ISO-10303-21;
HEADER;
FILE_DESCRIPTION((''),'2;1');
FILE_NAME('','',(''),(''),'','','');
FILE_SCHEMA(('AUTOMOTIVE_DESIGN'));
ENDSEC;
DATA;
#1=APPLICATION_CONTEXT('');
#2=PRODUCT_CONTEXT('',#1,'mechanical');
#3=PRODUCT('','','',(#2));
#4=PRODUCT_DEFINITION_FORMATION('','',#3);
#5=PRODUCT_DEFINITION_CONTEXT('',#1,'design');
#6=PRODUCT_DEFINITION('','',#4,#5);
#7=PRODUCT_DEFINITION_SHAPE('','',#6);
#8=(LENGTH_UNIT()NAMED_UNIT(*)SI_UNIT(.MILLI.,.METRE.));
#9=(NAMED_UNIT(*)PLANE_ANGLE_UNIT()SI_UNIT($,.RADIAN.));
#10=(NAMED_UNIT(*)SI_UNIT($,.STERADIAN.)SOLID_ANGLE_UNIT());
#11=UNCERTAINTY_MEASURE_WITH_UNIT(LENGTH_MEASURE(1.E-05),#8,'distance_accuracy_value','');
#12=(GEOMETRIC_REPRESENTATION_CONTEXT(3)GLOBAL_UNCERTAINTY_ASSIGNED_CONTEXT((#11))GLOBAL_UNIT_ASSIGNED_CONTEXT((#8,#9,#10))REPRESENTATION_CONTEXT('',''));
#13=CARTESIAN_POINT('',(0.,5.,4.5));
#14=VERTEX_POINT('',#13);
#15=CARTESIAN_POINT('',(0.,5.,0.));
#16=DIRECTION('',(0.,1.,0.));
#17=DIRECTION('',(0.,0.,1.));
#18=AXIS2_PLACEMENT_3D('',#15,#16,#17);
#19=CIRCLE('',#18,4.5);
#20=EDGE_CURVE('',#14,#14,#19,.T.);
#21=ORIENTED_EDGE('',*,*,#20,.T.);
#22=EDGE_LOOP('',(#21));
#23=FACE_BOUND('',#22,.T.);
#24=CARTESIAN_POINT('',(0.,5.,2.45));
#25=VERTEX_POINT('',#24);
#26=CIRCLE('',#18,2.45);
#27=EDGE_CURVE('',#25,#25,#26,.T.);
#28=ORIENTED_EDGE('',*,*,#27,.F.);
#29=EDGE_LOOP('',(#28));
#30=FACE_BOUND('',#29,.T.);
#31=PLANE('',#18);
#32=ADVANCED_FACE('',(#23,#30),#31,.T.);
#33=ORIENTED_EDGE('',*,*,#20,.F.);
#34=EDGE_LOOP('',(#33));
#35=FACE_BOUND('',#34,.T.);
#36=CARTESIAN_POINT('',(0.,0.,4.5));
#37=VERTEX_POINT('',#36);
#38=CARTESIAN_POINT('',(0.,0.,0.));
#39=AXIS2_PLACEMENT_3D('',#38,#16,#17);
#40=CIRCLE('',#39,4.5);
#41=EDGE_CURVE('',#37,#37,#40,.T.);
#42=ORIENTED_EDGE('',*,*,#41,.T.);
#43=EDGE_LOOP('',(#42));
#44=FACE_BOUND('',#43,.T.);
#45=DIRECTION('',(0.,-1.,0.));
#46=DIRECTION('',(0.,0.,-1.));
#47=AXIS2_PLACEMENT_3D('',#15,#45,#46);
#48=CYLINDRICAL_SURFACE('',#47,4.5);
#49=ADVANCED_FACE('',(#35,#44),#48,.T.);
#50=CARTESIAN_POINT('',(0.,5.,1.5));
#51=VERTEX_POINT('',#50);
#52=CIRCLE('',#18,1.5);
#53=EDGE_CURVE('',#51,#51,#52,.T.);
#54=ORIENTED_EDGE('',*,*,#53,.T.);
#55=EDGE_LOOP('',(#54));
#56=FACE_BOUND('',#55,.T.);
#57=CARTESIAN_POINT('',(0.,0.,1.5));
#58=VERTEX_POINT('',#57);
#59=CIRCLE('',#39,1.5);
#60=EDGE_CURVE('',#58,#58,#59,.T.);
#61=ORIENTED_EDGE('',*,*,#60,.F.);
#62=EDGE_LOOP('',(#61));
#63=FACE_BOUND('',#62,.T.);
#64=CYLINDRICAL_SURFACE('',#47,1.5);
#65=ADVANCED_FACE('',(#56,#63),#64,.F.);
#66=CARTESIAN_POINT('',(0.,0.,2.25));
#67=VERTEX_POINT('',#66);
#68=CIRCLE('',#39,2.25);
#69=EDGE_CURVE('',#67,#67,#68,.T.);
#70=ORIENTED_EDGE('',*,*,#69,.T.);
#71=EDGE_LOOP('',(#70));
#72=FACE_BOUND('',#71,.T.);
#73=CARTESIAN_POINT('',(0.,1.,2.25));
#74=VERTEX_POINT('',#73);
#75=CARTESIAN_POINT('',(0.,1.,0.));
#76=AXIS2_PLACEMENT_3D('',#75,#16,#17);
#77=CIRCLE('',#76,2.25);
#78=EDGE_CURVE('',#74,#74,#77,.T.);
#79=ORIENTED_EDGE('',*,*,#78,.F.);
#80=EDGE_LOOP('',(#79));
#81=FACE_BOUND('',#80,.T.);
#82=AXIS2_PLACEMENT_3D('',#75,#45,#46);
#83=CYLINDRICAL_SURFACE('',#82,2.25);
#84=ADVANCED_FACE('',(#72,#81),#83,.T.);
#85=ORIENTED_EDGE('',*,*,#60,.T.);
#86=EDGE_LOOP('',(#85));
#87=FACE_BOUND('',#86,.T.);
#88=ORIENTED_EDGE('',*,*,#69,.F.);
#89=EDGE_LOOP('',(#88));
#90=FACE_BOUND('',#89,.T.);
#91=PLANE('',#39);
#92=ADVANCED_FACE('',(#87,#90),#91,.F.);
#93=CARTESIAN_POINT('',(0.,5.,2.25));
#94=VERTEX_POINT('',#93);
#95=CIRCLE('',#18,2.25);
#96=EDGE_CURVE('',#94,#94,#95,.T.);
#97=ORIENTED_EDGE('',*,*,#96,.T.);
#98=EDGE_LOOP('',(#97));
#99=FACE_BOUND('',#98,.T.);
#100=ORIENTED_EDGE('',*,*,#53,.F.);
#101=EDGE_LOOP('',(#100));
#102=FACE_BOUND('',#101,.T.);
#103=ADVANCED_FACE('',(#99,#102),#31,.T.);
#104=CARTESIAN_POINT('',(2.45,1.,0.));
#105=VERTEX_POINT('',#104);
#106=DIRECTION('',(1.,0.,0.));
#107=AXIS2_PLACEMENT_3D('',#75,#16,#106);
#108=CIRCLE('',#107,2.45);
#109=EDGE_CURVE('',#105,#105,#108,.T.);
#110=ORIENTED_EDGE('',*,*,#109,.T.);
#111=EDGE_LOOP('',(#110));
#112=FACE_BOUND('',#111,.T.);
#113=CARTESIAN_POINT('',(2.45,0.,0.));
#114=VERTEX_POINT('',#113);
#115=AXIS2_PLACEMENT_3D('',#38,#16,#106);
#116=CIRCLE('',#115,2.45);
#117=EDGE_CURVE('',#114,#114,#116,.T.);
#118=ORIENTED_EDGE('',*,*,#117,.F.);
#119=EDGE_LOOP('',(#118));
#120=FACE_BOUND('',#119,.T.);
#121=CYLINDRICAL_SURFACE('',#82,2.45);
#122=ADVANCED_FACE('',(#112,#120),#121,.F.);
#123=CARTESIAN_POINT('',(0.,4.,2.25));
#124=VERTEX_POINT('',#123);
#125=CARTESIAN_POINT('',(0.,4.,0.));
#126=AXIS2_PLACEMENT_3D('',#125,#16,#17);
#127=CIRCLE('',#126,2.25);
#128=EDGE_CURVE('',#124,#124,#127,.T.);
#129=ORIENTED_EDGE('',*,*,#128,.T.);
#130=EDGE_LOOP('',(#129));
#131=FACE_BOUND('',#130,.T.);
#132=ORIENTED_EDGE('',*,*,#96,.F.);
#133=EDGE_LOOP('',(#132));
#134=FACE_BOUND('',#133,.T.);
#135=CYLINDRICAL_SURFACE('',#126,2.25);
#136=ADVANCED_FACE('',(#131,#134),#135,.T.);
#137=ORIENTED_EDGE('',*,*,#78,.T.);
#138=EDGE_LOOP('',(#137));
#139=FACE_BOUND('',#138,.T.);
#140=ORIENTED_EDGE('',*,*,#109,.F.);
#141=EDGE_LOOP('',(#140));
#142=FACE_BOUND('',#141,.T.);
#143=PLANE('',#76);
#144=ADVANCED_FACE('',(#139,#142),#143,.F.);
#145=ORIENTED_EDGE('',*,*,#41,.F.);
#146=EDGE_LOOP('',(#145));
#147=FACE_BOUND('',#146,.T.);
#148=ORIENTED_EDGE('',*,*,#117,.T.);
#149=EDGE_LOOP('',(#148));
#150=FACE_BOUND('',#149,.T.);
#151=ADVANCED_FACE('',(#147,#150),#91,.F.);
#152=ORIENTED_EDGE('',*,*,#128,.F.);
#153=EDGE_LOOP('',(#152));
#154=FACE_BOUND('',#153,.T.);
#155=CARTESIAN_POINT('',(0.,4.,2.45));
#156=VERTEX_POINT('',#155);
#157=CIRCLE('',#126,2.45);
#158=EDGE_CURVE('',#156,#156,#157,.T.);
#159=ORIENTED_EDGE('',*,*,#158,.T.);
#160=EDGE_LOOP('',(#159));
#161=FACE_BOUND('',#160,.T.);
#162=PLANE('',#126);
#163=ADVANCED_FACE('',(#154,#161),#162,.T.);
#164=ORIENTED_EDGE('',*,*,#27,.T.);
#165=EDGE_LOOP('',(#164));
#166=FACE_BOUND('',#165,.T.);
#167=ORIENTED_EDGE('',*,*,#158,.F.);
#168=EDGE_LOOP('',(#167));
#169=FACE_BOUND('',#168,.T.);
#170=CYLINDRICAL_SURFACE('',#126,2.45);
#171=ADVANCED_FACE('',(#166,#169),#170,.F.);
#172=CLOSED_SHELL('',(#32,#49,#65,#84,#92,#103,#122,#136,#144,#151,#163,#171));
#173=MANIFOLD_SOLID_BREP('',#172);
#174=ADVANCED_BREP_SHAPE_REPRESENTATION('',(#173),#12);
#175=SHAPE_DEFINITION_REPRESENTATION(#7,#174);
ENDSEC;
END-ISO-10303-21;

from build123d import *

# Parameters (mm, degrees)
SKETCH_1_R          = 4.5
SKETCH_1_R_2        = 1.5
EXTRUDE_1_DEPTH     = 5
SKETCH_1_3_R        = 2.45
SKETCH_1_3_R_2      = 2.25
CUT_EXTRUDE_1_DEPTH = 1
CUT_EXTRUDE_START   = 4
SKETCH_1_4_R        = 2.45
SKETCH_1_4_R_2      = 2.25
CUT_EXTRUDE_2_DEPTH = 1


with BuildPart() as part:
    # 草图1 → 凸台-拉伸1 (new body)
    with BuildSketch(Plane(origin=(0, 0, 0), x_dir=(1, 0, 0), z_dir=(0, 1, 0))):
        with Locations(Location((0, 0, 0), (0, 0, 270))):
            Circle(SKETCH_1_R)
        with Locations(Location((0, 0, 0), (0, 0, 270))):
            Circle(SKETCH_1_R_2, mode=Mode.SUBTRACT)
    extrude(amount=EXTRUDE_1_DEPTH)

    # 草图1<3> → 切除-拉伸-薄壁1 (cut)
    with BuildSketch(Plane(origin=(0, 0, 0), x_dir=(1, 0, 0), z_dir=(0, 1, 0))):
        Circle(SKETCH_1_3_R)
        Circle(SKETCH_1_3_R_2, mode=Mode.SUBTRACT)
    extrude(amount=CUT_EXTRUDE_1_DEPTH, mode=Mode.SUBTRACT)

    # 草图1<4> → 切除-拉伸-薄壁2 (cut)
    with BuildSketch(Plane(origin=(0, 0, 0), x_dir=(1, 0, 0), z_dir=(0, 1, 0)).offset(CUT_EXTRUDE_START)):
        Circle(SKETCH_1_4_R)
        Circle(SKETCH_1_4_R_2, mode=Mode.SUBTRACT)
    extrude(amount=CUT_EXTRUDE_2_DEPTH, mode=Mode.SUBTRACT)


solid = part.part
